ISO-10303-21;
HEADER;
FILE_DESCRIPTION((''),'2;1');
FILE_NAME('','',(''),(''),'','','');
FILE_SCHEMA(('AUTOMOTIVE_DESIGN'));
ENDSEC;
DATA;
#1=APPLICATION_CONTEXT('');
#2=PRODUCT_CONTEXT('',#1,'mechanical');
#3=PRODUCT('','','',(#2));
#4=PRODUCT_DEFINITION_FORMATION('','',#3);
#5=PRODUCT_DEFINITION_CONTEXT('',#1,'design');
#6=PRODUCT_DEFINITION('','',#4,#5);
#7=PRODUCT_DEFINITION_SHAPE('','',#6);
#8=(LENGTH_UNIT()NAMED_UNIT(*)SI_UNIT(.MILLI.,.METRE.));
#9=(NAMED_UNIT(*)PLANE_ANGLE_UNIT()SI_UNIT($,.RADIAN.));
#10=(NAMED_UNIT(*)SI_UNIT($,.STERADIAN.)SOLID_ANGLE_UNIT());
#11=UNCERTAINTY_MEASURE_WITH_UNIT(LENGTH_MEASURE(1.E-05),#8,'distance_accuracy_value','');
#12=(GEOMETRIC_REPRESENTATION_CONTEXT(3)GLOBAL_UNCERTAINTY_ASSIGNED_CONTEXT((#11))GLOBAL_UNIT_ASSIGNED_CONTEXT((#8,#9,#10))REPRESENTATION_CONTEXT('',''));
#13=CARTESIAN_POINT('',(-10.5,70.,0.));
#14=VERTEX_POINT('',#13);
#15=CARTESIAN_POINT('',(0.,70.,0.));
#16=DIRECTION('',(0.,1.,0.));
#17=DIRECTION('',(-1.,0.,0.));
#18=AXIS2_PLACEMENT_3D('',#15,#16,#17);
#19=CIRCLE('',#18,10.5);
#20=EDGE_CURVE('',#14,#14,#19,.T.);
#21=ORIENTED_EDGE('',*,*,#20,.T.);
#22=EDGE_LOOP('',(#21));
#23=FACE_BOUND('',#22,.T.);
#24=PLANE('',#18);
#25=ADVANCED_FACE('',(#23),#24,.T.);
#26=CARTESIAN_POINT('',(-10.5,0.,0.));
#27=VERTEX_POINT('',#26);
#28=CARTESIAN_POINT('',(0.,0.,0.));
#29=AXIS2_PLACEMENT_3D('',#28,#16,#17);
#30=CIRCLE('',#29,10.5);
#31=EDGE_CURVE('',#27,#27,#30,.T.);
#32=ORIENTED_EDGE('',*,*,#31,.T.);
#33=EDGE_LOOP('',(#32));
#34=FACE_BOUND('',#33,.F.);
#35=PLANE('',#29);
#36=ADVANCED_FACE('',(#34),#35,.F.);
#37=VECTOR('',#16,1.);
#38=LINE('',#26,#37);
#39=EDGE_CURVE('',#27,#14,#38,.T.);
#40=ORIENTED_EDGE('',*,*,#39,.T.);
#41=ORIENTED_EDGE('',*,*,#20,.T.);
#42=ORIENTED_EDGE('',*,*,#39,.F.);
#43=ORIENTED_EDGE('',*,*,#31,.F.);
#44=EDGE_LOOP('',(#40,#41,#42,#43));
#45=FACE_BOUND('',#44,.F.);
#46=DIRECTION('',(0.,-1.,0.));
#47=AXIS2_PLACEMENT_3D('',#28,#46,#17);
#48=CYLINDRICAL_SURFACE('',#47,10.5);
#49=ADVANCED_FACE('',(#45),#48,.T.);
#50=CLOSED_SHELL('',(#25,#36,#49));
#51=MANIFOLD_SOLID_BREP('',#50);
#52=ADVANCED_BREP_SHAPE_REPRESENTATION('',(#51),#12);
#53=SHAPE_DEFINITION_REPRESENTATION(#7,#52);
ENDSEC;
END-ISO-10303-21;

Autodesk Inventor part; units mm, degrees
ref_plane "YZ Plane" through (0, 0, 0) normal (1, 0, 0) x (0, 1, 0)
ref_plane "XZ Plane" through (0, 0, 0) normal (0, 1, 0) x (-1, 0, 0)
ref_plane "XY Plane" through (0, 0, 0) normal (0, 0, 1) x (1, 0, 0)
sketch "Sketch1" plane through (0, 0, 0) normal (0, 1, 0) x (-1, 0, 0)
  circle A0 centre (0, 0) radius 10.5
  dimension "d0" = 21
extrude "Extrusion1" add sketch "Sketch1" along normal blind 70
properties part number "CO-1-1-BatteryCell"
